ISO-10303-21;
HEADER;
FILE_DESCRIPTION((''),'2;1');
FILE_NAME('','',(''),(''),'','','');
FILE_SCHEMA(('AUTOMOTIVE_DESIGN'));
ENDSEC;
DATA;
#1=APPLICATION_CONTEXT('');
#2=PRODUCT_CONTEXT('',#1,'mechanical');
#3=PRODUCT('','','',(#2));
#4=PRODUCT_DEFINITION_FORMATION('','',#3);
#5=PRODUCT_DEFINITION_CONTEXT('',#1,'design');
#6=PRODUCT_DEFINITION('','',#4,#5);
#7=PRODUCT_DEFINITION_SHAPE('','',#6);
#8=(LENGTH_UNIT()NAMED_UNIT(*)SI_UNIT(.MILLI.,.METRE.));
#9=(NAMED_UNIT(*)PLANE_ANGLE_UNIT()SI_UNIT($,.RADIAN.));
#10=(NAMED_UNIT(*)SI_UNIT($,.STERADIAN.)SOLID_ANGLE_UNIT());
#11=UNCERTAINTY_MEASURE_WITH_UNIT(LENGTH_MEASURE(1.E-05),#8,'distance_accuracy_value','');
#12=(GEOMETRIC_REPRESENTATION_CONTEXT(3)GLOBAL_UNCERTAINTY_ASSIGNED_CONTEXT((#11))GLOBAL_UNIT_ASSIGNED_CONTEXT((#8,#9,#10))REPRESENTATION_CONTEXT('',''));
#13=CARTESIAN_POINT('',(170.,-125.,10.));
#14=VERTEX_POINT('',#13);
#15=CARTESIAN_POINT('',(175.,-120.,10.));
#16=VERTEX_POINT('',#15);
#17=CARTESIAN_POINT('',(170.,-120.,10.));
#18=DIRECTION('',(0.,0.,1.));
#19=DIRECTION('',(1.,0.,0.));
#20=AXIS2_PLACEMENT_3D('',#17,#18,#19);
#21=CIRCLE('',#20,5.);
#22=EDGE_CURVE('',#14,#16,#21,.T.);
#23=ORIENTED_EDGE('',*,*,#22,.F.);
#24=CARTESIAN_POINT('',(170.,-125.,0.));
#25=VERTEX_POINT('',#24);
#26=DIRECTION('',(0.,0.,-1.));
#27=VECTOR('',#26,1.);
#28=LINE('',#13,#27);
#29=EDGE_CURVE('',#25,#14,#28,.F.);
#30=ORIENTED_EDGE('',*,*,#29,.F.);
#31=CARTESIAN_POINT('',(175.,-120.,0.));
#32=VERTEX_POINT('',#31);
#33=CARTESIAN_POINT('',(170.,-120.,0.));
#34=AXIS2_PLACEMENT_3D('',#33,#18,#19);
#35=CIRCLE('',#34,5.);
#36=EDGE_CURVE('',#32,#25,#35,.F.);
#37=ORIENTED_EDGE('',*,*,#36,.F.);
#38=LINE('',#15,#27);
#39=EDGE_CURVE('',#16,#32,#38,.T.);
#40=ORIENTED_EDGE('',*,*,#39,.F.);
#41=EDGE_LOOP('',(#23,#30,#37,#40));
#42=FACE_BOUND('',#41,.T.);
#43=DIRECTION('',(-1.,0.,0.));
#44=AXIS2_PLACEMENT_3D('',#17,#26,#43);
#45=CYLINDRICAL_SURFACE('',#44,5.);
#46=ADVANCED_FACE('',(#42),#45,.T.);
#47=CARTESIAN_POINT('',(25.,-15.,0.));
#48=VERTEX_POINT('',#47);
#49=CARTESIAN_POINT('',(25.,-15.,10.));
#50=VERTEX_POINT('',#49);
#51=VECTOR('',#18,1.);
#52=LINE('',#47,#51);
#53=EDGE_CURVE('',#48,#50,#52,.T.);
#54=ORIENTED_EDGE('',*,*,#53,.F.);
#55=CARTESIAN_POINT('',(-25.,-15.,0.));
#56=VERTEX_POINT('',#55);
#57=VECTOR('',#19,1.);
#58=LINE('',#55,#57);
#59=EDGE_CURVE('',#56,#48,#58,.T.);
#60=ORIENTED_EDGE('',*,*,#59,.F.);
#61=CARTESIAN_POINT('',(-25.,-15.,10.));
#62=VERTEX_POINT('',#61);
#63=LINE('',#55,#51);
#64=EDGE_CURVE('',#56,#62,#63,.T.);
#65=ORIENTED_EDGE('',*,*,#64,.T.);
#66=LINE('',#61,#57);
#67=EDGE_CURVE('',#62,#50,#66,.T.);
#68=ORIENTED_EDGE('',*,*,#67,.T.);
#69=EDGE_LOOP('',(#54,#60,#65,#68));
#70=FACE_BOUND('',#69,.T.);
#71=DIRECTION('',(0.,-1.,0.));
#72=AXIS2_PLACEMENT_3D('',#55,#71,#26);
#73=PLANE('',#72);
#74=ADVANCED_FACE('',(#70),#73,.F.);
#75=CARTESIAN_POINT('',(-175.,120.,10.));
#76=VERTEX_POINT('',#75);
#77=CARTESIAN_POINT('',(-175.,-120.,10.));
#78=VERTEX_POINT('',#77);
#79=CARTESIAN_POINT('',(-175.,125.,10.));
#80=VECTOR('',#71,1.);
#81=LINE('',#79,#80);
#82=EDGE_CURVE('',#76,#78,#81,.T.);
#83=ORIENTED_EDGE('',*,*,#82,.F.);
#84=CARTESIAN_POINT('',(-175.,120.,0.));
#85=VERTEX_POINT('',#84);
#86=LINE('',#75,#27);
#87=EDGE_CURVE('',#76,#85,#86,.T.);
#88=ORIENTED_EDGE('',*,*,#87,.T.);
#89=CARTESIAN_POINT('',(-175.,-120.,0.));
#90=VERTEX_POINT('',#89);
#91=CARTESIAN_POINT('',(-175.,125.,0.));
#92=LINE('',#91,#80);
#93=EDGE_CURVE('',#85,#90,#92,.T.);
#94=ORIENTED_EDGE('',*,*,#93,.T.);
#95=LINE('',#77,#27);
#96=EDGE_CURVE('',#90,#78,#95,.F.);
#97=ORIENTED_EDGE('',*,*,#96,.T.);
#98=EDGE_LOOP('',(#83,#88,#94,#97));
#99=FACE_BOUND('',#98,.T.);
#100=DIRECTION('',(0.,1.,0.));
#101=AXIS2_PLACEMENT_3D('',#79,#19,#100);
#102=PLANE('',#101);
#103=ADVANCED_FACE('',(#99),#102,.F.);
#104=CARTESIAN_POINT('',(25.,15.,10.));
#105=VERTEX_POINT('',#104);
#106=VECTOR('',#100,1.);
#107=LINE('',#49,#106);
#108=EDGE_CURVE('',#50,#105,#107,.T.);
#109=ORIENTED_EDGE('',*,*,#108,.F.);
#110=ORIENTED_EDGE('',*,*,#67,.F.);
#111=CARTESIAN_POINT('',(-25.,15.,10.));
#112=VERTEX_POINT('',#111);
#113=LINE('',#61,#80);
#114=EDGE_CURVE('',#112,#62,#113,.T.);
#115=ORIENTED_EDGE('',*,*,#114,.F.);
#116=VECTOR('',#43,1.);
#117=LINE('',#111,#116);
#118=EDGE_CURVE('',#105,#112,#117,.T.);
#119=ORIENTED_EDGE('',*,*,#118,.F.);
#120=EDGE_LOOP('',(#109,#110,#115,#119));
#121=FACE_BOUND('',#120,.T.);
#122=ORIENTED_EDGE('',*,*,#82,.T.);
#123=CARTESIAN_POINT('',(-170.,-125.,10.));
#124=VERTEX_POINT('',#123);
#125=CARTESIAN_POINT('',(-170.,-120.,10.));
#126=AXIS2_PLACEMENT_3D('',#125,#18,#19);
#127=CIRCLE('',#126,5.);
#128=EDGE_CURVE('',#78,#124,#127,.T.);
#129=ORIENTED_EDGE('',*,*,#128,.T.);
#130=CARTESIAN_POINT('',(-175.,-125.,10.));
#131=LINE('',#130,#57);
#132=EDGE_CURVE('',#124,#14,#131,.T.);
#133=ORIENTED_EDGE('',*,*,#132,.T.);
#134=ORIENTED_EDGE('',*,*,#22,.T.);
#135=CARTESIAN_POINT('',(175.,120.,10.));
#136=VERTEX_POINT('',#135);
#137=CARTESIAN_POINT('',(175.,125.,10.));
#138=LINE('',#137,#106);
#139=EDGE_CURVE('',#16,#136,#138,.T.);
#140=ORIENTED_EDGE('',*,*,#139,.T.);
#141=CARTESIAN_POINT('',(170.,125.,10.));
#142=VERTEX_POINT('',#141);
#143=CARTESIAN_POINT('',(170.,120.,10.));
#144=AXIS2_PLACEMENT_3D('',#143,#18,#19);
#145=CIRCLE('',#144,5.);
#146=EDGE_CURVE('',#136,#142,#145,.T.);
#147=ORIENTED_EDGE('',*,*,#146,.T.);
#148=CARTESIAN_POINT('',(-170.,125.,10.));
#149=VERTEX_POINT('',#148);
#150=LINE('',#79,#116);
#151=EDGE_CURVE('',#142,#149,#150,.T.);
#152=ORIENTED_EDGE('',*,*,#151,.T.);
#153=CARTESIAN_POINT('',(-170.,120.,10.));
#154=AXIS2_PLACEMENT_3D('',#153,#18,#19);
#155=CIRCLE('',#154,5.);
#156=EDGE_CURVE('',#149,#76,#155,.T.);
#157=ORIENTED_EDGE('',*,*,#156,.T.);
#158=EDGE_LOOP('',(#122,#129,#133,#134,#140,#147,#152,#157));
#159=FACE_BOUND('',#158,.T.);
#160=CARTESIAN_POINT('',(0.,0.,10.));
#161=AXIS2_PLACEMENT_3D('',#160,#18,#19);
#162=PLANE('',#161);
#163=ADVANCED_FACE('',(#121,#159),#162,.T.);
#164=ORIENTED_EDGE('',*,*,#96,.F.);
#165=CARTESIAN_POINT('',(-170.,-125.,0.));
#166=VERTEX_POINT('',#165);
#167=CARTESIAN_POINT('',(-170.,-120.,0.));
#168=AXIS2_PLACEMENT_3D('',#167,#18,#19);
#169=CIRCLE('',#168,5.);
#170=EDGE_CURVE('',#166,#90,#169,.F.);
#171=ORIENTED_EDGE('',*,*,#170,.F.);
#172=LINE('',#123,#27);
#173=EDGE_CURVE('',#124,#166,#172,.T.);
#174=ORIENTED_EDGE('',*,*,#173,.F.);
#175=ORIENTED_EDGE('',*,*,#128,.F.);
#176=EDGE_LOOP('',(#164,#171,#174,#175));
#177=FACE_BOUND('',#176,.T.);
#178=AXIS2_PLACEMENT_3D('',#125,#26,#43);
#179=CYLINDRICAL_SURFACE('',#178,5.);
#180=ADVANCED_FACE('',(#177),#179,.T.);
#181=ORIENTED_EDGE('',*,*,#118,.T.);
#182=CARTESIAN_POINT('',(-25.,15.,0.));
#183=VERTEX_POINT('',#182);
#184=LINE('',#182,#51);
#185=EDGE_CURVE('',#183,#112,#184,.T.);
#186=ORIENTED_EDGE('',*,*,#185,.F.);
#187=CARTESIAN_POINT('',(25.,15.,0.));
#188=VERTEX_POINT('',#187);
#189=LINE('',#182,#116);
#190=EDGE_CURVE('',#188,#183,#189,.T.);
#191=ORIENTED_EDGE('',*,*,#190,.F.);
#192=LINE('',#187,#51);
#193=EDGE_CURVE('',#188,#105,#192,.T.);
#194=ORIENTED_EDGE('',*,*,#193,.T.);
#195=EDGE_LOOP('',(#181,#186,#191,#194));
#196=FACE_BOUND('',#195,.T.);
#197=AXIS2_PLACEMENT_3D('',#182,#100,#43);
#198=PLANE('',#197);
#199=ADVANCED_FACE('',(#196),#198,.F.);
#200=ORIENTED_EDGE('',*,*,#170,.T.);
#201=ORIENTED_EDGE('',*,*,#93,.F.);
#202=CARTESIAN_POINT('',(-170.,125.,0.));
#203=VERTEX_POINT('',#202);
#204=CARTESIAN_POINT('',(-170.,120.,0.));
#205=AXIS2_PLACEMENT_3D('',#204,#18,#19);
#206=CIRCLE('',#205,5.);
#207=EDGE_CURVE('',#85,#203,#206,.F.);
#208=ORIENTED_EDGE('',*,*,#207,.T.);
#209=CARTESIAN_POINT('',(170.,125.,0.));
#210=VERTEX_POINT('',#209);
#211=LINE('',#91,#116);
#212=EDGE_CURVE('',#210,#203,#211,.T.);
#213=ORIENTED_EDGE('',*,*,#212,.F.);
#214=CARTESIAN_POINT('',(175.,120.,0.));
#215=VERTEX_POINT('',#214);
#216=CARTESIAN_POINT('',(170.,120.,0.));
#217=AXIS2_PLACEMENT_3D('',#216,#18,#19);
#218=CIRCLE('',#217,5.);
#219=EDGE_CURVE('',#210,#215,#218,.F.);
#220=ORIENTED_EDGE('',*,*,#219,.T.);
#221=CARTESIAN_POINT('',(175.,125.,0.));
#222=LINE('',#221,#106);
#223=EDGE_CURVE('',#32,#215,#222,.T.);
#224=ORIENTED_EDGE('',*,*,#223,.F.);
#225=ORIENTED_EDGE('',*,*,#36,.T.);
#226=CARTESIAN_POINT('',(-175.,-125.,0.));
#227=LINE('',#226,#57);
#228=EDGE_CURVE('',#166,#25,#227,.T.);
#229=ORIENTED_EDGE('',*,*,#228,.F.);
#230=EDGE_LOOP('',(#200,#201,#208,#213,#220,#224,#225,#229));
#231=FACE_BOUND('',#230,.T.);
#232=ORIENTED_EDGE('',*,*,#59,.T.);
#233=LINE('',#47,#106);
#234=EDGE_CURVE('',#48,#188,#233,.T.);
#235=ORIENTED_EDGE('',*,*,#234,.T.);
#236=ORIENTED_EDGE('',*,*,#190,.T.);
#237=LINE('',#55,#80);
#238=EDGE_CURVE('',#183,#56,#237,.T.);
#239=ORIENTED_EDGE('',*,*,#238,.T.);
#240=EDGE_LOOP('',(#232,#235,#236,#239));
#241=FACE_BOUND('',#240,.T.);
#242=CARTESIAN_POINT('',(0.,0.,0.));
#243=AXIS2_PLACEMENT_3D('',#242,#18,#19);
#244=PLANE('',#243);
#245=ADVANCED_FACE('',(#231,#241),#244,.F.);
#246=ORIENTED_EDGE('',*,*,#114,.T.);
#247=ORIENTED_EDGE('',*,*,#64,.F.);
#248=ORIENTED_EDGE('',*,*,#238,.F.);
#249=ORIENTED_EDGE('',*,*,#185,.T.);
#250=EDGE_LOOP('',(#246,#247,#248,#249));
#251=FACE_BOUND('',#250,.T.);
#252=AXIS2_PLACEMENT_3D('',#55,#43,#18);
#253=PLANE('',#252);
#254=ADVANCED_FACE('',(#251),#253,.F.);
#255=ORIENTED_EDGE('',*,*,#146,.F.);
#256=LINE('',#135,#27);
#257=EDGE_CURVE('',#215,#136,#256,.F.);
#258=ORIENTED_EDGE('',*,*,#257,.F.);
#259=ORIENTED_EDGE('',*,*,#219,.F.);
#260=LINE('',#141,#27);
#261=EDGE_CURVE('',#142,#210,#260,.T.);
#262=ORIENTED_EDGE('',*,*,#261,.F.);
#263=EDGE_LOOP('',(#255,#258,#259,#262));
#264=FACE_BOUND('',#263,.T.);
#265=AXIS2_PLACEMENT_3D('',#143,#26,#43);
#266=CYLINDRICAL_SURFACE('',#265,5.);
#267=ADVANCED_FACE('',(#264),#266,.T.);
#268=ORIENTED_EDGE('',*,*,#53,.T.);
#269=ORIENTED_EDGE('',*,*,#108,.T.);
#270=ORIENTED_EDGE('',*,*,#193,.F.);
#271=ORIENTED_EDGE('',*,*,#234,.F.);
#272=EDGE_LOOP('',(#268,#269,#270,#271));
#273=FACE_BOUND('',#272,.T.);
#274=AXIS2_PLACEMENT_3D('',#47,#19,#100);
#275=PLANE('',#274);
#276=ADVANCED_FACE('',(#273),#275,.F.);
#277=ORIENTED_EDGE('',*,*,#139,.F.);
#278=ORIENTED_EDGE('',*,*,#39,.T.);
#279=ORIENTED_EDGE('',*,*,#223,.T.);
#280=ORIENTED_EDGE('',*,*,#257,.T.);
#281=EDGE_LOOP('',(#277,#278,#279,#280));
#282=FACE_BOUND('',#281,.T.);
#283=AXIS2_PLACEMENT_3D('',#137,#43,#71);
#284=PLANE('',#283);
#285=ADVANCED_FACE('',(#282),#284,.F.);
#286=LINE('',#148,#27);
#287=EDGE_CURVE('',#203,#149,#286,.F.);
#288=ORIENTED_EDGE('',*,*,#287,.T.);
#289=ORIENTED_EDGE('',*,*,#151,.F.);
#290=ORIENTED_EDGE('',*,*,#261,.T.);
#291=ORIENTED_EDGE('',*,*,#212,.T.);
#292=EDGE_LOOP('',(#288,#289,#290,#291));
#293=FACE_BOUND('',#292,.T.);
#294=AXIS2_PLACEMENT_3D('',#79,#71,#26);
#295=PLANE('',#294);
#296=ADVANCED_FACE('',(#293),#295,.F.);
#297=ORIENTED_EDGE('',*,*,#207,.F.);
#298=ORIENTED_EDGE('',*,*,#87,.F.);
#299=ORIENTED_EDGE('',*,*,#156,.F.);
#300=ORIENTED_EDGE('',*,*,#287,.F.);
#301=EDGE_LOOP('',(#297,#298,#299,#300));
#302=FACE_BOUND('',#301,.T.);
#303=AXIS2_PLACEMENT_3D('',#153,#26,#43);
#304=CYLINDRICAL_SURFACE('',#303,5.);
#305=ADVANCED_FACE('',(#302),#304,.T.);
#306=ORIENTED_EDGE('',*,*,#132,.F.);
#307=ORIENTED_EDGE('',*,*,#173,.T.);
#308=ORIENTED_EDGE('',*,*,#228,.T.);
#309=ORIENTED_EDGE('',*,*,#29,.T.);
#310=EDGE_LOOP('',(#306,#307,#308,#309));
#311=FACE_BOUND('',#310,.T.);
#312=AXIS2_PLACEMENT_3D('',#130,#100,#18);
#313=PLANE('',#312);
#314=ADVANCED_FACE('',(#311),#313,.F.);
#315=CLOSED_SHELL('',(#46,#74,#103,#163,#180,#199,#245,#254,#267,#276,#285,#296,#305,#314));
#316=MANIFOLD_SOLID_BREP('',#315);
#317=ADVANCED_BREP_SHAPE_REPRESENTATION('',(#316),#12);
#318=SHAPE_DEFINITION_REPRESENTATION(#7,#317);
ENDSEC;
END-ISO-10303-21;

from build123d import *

# Parameters (mm, degrees)
SKIZZE1_W                       = 350
SKIZZE1_H                       = 250
AUFSATZ_LINEAR_AUSTRAGEN1_DEPTH = 10
VERRUNDUNG1_R                   = 5
SKIZZE3_W                       = 50
SKIZZE3_H                       = 30
SCHNITT_LINEAR_AUSTRAGEN1_DEPTH = 216.290501416


with BuildPart() as part:
    # Skizze1 → Aufsatz-Linear austragen1 (new body)
    with BuildSketch(Plane.XY):
        Rectangle(SKIZZE1_W, SKIZZE1_H)
    extrude(amount=AUFSATZ_LINEAR_AUSTRAGEN1_DEPTH)

    # Verrundung1
    verrundung1_edges = [part.edges().sort_by_distance(p)[0] for p in [
        (-175, 125, 5),
        (175, 125, 5),
        (175, -125, 5),
        (-175, -125, 5),
    ]]
    fillet(verrundung1_edges, radius=VERRUNDUNG1_R)

    # Skizze3 → Schnitt-Linear austragen1 (cut, through all)
    with BuildSketch(Plane.XY.offset(10)):
        Rectangle(SKIZZE3_W, SKIZZE3_H)
    extrude(amount=-SCHNITT_LINEAR_AUSTRAGEN1_DEPTH, mode=Mode.SUBTRACT)


solid = part.part
